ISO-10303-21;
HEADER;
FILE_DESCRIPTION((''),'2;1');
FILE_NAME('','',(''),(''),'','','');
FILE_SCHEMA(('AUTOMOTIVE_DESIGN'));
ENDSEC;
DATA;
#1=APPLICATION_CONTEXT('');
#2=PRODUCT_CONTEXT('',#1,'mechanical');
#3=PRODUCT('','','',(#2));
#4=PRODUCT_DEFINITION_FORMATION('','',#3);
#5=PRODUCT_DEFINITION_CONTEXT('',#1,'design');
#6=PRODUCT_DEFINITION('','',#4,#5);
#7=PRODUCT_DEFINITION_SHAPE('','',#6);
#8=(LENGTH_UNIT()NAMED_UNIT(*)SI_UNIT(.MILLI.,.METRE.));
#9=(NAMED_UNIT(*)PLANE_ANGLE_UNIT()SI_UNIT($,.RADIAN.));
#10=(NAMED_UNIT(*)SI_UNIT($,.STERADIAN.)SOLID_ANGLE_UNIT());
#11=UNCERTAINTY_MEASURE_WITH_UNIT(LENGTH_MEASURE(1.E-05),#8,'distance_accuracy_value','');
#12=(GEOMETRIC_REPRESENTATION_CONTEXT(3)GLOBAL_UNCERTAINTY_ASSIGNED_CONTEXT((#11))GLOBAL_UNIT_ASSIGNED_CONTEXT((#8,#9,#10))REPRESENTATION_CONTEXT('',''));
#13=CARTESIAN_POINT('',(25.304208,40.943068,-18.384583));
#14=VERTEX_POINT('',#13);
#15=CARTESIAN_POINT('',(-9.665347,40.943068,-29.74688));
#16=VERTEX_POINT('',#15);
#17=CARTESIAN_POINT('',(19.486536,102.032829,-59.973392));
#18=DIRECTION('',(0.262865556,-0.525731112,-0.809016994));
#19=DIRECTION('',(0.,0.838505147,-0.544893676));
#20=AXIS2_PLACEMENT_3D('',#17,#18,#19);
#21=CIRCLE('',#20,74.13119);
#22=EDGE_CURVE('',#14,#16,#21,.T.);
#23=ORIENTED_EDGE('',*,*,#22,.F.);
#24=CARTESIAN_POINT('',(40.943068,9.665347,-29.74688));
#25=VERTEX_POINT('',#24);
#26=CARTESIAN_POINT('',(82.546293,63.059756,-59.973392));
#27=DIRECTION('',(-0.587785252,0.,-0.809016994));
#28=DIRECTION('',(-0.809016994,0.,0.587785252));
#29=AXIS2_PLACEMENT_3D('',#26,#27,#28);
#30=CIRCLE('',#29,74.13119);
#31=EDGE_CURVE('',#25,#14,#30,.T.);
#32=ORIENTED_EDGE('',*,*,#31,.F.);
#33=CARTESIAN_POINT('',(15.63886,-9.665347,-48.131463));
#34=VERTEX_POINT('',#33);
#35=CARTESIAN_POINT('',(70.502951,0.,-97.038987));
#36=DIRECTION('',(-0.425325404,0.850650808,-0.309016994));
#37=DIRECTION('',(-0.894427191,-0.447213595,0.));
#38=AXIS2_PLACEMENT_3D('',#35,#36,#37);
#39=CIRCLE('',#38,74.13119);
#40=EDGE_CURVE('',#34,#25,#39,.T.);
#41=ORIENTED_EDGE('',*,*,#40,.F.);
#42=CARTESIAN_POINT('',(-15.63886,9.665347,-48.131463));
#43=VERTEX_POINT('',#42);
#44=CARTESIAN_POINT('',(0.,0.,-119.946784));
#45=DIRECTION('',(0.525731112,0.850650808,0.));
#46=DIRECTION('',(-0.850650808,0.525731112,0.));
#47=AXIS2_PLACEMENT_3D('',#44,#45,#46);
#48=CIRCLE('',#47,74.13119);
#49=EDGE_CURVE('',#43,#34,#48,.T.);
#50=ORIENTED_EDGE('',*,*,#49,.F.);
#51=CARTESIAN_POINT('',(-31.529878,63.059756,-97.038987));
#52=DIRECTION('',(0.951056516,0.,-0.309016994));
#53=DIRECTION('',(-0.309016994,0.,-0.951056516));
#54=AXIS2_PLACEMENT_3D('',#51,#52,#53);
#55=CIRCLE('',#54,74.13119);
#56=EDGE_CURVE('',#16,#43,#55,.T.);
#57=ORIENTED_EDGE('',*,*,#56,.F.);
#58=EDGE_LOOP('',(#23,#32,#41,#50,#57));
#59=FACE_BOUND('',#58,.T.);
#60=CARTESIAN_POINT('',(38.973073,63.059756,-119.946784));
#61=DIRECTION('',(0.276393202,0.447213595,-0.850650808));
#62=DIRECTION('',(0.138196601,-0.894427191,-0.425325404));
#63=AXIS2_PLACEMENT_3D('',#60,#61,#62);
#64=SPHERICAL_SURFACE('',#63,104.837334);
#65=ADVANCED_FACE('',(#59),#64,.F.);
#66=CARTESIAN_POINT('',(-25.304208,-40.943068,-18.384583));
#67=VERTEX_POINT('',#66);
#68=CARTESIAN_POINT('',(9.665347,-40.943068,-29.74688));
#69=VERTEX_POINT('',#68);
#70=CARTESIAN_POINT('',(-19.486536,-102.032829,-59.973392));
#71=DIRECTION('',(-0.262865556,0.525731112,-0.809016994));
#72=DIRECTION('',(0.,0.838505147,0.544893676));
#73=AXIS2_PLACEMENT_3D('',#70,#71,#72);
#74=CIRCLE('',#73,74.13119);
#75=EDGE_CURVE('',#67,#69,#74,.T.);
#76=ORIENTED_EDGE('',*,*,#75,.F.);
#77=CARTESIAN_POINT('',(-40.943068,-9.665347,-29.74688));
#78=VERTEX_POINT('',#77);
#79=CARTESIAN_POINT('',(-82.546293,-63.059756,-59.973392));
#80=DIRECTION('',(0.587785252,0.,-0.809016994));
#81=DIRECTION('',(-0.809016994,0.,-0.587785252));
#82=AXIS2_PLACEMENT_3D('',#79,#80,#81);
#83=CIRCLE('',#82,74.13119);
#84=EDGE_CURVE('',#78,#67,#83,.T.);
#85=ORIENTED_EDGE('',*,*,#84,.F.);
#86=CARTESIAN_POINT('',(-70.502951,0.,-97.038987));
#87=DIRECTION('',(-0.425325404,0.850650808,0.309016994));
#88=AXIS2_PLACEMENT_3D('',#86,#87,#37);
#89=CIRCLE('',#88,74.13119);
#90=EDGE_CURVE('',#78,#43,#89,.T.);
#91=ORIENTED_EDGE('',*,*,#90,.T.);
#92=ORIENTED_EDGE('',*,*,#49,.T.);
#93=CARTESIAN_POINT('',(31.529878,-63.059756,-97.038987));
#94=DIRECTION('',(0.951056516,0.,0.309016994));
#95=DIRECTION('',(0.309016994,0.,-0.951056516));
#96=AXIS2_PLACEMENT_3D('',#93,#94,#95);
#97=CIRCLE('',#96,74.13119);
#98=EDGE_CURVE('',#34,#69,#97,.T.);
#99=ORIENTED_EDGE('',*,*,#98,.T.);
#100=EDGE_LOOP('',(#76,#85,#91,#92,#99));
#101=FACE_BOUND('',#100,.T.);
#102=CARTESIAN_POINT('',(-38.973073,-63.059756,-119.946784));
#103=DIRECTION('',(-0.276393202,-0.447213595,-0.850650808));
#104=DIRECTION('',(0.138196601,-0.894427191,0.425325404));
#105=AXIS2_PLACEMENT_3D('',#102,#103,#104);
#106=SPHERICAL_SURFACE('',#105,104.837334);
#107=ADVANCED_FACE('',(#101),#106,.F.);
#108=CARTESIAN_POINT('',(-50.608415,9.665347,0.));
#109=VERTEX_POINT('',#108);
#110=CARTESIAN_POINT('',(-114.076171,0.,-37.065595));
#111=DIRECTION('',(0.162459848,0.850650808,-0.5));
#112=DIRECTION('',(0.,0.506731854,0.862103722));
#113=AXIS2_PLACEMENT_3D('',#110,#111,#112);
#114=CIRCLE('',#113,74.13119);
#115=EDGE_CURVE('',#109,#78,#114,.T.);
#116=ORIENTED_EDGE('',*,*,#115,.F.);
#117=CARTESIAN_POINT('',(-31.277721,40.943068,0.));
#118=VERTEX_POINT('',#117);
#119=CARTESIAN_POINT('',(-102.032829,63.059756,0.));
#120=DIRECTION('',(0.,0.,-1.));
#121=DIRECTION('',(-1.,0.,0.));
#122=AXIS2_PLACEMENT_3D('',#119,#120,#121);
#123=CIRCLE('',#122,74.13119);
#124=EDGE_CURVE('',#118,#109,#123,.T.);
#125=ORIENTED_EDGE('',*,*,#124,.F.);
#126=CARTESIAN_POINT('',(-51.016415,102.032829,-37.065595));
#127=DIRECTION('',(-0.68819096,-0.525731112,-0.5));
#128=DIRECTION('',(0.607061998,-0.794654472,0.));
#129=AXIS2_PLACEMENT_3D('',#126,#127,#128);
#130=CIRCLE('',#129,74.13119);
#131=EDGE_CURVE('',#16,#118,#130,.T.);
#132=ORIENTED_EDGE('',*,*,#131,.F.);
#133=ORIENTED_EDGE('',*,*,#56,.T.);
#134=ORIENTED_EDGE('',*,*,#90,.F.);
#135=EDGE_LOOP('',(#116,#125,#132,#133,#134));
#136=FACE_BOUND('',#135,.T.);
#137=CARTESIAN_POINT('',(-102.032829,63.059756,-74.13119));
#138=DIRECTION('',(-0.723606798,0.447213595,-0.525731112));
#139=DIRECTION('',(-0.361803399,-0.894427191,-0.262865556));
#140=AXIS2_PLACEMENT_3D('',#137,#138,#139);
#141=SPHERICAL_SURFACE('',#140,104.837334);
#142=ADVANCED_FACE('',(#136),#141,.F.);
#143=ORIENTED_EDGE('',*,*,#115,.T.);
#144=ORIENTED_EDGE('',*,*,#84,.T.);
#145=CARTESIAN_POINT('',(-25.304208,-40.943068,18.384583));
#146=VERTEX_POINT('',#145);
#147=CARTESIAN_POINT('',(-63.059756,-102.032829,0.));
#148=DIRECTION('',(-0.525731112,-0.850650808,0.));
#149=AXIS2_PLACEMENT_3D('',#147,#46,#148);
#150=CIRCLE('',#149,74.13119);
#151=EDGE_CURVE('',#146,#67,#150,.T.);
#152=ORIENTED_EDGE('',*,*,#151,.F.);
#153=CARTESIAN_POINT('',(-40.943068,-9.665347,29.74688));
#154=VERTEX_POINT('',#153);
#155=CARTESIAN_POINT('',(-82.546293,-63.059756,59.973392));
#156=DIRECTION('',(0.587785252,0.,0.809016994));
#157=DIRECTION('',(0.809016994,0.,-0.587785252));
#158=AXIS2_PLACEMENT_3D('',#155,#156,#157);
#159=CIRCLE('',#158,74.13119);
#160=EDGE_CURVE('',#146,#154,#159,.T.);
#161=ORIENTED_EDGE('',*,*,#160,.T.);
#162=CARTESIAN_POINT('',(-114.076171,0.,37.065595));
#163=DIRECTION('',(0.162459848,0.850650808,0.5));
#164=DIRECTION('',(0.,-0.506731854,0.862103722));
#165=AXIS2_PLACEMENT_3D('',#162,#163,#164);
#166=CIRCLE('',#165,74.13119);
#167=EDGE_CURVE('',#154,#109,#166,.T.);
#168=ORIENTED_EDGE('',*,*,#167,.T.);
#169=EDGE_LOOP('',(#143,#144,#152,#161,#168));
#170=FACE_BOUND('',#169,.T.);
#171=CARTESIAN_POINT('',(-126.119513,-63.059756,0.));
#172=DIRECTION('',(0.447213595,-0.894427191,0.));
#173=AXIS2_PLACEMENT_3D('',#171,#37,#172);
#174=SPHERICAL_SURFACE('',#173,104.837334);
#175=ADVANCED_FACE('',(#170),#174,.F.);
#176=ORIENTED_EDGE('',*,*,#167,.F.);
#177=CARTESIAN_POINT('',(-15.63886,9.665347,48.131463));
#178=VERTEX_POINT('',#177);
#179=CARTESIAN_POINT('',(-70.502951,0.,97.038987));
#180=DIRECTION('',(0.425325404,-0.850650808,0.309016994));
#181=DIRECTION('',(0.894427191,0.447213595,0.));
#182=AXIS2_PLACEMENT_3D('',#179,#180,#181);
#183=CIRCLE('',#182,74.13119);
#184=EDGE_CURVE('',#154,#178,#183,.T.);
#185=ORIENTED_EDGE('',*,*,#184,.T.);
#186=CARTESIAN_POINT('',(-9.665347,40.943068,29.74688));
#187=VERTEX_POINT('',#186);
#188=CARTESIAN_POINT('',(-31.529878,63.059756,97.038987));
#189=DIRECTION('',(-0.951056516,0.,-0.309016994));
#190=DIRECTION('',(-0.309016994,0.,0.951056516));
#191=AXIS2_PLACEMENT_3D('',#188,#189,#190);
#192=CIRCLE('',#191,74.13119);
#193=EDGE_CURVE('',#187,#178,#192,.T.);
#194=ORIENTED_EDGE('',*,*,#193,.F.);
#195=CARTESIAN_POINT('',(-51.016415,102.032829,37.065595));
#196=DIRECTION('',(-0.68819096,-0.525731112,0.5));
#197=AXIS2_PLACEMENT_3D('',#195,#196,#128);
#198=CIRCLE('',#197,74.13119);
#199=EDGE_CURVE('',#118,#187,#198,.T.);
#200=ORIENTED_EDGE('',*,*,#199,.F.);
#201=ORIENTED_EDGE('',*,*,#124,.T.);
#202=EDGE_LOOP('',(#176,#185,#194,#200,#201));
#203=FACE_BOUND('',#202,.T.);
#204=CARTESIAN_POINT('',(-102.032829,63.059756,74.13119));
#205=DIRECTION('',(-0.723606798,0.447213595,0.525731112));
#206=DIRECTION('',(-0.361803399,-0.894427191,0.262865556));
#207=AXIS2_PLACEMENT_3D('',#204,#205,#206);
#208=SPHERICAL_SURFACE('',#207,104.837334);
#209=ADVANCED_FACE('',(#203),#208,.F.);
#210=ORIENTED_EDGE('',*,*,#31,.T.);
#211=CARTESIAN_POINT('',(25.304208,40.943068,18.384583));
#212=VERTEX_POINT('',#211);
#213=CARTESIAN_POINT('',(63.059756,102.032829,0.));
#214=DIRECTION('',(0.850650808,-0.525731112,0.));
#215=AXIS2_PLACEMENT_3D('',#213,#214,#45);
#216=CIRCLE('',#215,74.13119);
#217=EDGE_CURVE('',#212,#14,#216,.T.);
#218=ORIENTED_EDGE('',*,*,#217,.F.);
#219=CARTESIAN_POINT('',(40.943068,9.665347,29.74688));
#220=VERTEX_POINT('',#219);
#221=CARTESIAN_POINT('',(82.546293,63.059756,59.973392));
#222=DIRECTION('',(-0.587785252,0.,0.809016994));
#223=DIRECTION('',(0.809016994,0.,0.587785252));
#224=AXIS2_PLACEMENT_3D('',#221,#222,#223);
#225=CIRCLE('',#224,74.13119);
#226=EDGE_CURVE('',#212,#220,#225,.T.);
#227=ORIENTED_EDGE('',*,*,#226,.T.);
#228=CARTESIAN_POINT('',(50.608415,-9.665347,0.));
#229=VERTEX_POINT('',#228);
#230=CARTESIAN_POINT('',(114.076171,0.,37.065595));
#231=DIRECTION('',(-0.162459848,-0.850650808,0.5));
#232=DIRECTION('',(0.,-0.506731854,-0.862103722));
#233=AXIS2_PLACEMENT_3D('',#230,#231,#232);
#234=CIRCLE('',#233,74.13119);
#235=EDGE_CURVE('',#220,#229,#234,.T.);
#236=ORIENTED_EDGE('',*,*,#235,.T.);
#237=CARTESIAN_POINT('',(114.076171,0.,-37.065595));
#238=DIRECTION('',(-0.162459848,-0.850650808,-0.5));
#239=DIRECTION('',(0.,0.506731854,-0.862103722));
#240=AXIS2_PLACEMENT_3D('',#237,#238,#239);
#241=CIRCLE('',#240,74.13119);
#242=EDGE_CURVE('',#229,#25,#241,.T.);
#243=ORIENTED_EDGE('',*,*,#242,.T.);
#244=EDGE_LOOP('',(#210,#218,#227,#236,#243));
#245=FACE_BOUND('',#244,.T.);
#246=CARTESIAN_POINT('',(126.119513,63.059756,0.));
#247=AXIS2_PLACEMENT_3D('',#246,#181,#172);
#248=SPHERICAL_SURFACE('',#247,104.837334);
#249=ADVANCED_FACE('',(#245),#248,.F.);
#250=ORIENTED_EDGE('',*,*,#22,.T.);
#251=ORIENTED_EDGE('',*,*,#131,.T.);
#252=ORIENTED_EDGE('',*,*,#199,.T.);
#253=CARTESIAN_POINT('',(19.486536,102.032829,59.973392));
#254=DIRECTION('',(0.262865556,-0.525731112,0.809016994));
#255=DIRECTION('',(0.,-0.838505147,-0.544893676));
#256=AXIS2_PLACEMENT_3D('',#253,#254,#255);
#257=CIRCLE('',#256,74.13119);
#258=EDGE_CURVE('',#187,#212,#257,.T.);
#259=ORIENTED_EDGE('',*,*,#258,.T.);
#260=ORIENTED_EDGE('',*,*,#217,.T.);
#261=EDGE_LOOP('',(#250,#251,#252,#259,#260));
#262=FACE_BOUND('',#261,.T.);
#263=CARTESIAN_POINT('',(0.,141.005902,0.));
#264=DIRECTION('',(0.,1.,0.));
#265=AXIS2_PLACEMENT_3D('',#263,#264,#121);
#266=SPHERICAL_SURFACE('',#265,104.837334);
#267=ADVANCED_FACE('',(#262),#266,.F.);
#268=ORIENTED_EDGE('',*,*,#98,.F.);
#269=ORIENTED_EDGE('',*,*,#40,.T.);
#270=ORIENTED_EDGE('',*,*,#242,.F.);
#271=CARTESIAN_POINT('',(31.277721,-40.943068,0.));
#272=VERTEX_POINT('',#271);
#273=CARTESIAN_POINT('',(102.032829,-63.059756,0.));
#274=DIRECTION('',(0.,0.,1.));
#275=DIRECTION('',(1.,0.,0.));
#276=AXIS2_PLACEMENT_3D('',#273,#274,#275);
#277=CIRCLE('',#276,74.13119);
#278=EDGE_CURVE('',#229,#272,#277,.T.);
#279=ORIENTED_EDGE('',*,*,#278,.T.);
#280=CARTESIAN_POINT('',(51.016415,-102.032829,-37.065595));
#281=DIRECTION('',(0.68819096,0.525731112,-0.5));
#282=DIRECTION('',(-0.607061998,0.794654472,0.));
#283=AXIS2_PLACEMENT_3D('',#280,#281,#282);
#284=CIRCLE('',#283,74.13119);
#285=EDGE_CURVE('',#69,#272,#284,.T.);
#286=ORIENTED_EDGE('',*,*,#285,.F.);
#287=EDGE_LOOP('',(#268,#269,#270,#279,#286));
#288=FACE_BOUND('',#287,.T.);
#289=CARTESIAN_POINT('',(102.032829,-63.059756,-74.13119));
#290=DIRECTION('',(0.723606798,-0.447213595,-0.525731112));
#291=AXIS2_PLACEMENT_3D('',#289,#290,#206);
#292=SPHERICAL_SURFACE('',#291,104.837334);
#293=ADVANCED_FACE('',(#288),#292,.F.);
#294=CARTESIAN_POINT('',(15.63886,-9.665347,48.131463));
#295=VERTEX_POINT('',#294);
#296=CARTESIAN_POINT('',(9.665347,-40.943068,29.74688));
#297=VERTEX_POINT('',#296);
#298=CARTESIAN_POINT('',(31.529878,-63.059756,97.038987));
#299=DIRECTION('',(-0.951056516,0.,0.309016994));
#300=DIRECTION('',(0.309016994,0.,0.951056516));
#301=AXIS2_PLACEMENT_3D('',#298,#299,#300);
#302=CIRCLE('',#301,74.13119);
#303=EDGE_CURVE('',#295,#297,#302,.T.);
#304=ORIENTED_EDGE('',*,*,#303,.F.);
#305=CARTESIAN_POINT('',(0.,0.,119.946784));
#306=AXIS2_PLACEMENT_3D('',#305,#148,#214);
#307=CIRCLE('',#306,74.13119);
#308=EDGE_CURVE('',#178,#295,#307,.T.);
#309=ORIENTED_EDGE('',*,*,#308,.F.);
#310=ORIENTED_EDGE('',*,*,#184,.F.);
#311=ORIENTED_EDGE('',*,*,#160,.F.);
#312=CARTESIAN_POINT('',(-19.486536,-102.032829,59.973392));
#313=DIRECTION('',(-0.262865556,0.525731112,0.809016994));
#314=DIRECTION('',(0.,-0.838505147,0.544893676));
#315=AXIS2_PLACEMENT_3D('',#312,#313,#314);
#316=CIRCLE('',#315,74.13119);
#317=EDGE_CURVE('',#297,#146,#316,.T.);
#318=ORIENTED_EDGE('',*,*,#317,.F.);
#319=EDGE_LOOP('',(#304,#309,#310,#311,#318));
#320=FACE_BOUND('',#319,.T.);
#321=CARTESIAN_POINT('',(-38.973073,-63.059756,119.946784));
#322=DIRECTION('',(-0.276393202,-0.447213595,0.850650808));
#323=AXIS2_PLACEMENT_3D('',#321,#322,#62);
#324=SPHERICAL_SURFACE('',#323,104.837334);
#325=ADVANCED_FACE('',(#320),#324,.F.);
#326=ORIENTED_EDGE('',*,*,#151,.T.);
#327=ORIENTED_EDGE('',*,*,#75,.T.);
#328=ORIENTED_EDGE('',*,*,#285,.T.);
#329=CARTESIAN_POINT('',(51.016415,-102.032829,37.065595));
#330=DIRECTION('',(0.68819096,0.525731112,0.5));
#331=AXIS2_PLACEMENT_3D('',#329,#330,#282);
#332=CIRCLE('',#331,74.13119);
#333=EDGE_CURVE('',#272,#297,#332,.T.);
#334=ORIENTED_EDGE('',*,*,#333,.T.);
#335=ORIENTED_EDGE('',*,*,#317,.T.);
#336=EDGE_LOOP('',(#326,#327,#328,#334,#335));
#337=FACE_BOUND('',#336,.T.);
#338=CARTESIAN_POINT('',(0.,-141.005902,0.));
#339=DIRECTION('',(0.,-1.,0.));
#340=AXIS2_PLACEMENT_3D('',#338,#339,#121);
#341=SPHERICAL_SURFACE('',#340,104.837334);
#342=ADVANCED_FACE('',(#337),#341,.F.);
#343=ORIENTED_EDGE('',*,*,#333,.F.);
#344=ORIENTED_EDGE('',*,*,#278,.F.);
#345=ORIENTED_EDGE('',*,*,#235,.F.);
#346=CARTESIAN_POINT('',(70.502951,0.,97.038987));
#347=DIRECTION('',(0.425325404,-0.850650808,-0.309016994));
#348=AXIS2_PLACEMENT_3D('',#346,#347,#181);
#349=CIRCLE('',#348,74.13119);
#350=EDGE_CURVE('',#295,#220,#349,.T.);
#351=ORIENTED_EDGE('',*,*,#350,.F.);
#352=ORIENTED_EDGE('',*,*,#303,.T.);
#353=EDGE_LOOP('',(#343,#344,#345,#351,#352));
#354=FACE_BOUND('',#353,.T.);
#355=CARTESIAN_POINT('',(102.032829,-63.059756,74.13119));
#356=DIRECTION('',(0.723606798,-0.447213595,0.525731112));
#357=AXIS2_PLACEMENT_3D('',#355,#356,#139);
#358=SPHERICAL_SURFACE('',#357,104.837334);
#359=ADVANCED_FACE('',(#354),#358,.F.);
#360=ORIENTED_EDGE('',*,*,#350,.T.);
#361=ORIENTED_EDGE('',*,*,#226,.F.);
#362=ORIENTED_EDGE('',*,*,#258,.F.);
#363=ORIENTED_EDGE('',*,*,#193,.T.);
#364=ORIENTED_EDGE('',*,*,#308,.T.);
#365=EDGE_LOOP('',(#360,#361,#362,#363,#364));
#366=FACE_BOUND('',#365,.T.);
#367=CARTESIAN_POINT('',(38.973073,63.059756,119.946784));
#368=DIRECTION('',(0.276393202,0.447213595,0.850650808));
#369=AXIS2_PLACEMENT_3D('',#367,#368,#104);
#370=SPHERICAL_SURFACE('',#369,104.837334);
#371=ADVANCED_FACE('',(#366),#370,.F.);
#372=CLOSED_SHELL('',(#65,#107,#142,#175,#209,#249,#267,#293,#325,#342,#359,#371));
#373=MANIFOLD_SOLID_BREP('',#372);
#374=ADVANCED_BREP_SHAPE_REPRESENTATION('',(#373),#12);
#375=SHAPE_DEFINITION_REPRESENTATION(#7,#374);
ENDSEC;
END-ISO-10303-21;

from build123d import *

# Parameters (mm, degrees)
CIRPATTERN1_COUNT = 2
CIRPATTERN1_ANGLE = 116.565051177


with BuildPart() as part:
    # Sketch1 → Revolve1 (revolve)
    with BuildSketch(Plane(origin=(0, 0, 0), x_dir=(1, 0, 0), z_dir=(0, 1, 0))):
        with BuildLine():
            Line((0, -100), (0, 100))
            ThreePointArc((0, 100), (100, 0), (0, -100))
        make_face()
    revolve(axis=Axis((0, 0, 100), (0, 0, -1)))

    # Sketch2 → Cut-Revolve1 (revolve, cut)
    with BuildSketch(Plane.XY):
        with BuildLine():
            Line((0, 245.843235607), (0, 36.168568135))
            ThreePointArc((0, 36.168568135), (-104.837333736, 141.005901871), (0, 245.843235607))
        make_face()
    cut_revolve1 = revolve(axis=Axis((0, 245.843235607, 0), (0, -1, 0)), mode=Mode.SUBTRACT)

    # Mirror1: Cut-Revolve1 across plane
    add(cut_revolve1.mirror(Plane.ZX), mode=Mode.SUBTRACT)

    # CirPattern1: Cut-Revolve1 ×2 about axis
    cirpattern1_axis = Axis((0, 0, -110), (0, 0, 1))
    for i in range(1, CIRPATTERN1_COUNT):
        add(cut_revolve1.rotate(cirpattern1_axis, i * CIRPATTERN1_ANGLE / (CIRPATTERN1_COUNT - 1)), mode=Mode.SUBTRACT)

    # CirPattern1 copy 1 sketch → CirPattern1 copy 1 (revolve, cut)
    with BuildSketch(Plane(origin=(0, 0, 0), x_dir=(-0.44721359549996187, 0.8944271909999139, 0), z_dir=(0, 0, 1))):
        with BuildLine():
            Line((0, -245.843235607), (0, -36.168568135))
            ThreePointArc((0, -36.168568135), (-104.837333736, -141.005901871), (0, -245.843235607))
        make_face()
    revolve(axis=Axis((219.888874651, 109.944437325, 0), (0.894427190999914, 0.4472135954999616, 0)), mode=Mode.SUBTRACT)

    # CirPattern2 copy 1 sketch → CirPattern2 copy 1 (revolve, cut)
    with BuildSketch(Plane(origin=(0, 0, 0), x_dir=(-0.13819660112501175, 0.8944271909999139, -0.42532540417602366), z_dir=(-0.9510565162951535, 0, 0.30901699437494745))):
        with BuildLine():
            Line((0, 245.843235607), (0, 36.168568135))
            ThreePointArc((0, 36.168568135), (-104.837333736, 141.005901871), (0, 245.843235607))
        make_face()
    revolve(axis=Axis((-67.949399141, -109.944437325, -209.126747097), (0.2763932022500204, 0.44721359549996215, 0.8506508083520379)), mode=Mode.SUBTRACT)

    # CirPattern2 copy 2 sketch → CirPattern2 copy 2 (revolve, cut)
    with BuildSketch(Plane(origin=(0, 0, 0), x_dir=(0.36180339887499263, 0.8944271909999139, -0.2628655560595692), z_dir=(-0.5877852522924732, 0, -0.8090169943749473))):
        with BuildLine():
            Line((0, 245.843235607), (0, 36.168568135))
            ThreePointArc((0, 36.168568135), (-104.837333736, 141.005901871), (0, 245.843235607))
        make_face()
    revolve(axis=Axis((177.893836466, -109.944437325, -129.247437663), (-0.7236067977499772, 0.44721359549996215, 0.5257311121191324)), mode=Mode.SUBTRACT)

    # CirPattern2 copy 3 sketch → CirPattern2 copy 3 (revolve, cut)
    with BuildSketch(Plane(origin=(0, 0, 0), x_dir=(0.36180339887499274, 0.8944271909999137, 0.26286555605956907), z_dir=(0.587785252292473, 0, -0.8090169943749476))):
        with BuildLine():
            Line((0, 245.843235607), (0, 36.168568135))
            ThreePointArc((0, 36.168568135), (-104.837333736, 141.005901871), (0, 245.843235607))
        make_face()
    revolve(axis=Axis((177.893836466, -109.944437325, 129.247437663), (-0.7236067977499774, 0.4472135954999621, -0.5257311121191323)), mode=Mode.SUBTRACT)

    # CirPattern2 copy 4 sketch → CirPattern2 copy 4 (revolve, cut)
    with BuildSketch(Plane(origin=(0, 0, 0), x_dir=(-0.13819660112501164, 0.8944271909999139, 0.4253254041760237), z_dir=(0.9510565162951536, 0, 0.30901699437494723))):
        with BuildLine():
            Line((0, 245.843235607), (0, 36.168568135))
            ThreePointArc((0, 36.168568135), (-104.837333736, 141.005901871), (0, 245.843235607))
        make_face()
    revolve(axis=Axis((-67.949399141, -109.944437325, 209.126747097), (0.2763932022500202, 0.44721359549996215, -0.850650808352038)), mode=Mode.SUBTRACT)

    # CirPattern2 copy 5 sketch → CirPattern2 copy 5 (revolve, cut)
    with BuildSketch(Plane(origin=(0, 0, 0), x_dir=(-0.13819660112501175, 0.8944271909999139, -0.42532540417602366), z_dir=(-0.9510565162951535, 0, 0.30901699437494745))):
        with BuildLine():
            Line((0, -245.843235607), (0, -36.168568135))
            ThreePointArc((0, -36.168568135), (-104.837333736, -141.005901871), (0, -245.843235607))
        make_face()
    revolve(axis=Axis((67.949399141, 109.944437325, 209.126747097), (0.2763932022500205, 0.4472135954999616, 0.8506508083520381)), mode=Mode.SUBTRACT)

    # CirPattern2 copy 6 sketch → CirPattern2 copy 6 (revolve, cut)
    with BuildSketch(Plane(origin=(0, 0, 0), x_dir=(0.36180339887499263, 0.8944271909999139, -0.2628655560595692), z_dir=(-0.5877852522924732, 0, -0.8090169943749473))):
        with BuildLine():
            Line((0, -245.843235607), (0, -36.168568135))
            ThreePointArc((0, -36.168568135), (-104.837333736, -141.005901871), (0, -245.843235607))
        make_face()
    revolve(axis=Axis((-177.893836466, 109.944437325, 129.247437663), (-0.7236067977499774, 0.4472135954999616, 0.5257311121191326)), mode=Mode.SUBTRACT)

    # CirPattern2 copy 7 sketch → CirPattern2 copy 7 (revolve, cut)
    with BuildSketch(Plane(origin=(0, 0, 0), x_dir=(0.36180339887499274, 0.8944271909999137, 0.26286555605956907), z_dir=(0.587785252292473, 0, -0.8090169943749476))):
        with BuildLine():
            Line((0, -245.843235607), (0, -36.168568135))
            ThreePointArc((0, -36.168568135), (-104.837333736, -141.005901871), (0, -245.843235607))
        make_face()
    revolve(axis=Axis((-177.893836466, 109.944437325, -129.247437663), (-0.7236067977499776, 0.44721359549996154, -0.5257311121191325)), mode=Mode.SUBTRACT)

    # CirPattern2 copy 8 sketch → CirPattern2 copy 8 (revolve, cut)
    with BuildSketch(Plane(origin=(0, 0, 0), x_dir=(-0.13819660112501164, 0.8944271909999139, 0.4253254041760237), z_dir=(0.9510565162951536, 0, 0.30901699437494723))):
        with BuildLine():
            Line((0, -245.843235607), (0, -36.168568135))
            ThreePointArc((0, -36.168568135), (-104.837333736, -141.005901871), (0, -245.843235607))
        make_face()
    revolve(axis=Axis((67.949399141, 109.944437325, -209.126747097), (0.2763932022500203, 0.4472135954999616, -0.8506508083520382)), mode=Mode.SUBTRACT)

    # CirPattern2 copy 9 sketch → CirPattern2 copy 9 (revolve, cut)
    with BuildSketch(Plane(origin=(0, 0, 0), x_dir=(0.30901699437494745, 0, 0.9510565162951535), z_dir=(-0.9510565162951535, 0, 0.30901699437494745))):
        with BuildLine():
            Line((0, 245.843235607), (0, 36.168568135))
            ThreePointArc((0, 36.168568135), (-104.837333736, 141.005901871), (0, 245.843235607))
        make_face()
    revolve(axis=Axis((0, 245.843235607, 0), (0, -1, 0)), mode=Mode.SUBTRACT)

    # CirPattern2 copy 10 sketch → CirPattern2 copy 10 (revolve, cut)
    with BuildSketch(Plane(origin=(0, 0, 0), x_dir=(-0.8090169943749473, 0, 0.5877852522924732), z_dir=(-0.5877852522924732, 0, -0.8090169943749473))):
        with BuildLine():
            Line((0, 245.843235607), (0, 36.168568135))
            ThreePointArc((0, 36.168568135), (-104.837333736, 141.005901871), (0, 245.843235607))
        make_face()
    revolve(axis=Axis((0, 245.843235607, 0), (0, -1, 0)), mode=Mode.SUBTRACT)

    # CirPattern2 copy 11 sketch → CirPattern2 copy 11 (revolve, cut)
    with BuildSketch(Plane(origin=(0, 0, 0), x_dir=(-0.8090169943749476, 0, -0.587785252292473), z_dir=(0.587785252292473, 0, -0.8090169943749476))):
        with BuildLine():
            Line((0, 245.843235607), (0, 36.168568135))
            ThreePointArc((0, 36.168568135), (-104.837333736, 141.005901871), (0, 245.843235607))
        make_face()
    revolve(axis=Axis((0, 245.843235607, 0), (0, -1, 0)), mode=Mode.SUBTRACT)

    # CirPattern2 copy 12 sketch → CirPattern2 copy 12 (revolve, cut)
    with BuildSketch(Plane(origin=(0, 0, 0), x_dir=(0.30901699437494723, 0, -0.9510565162951536), z_dir=(0.9510565162951536, 0, 0.30901699437494723))):
        with BuildLine():
            Line((0, 245.843235607), (0, 36.168568135))
            ThreePointArc((0, 36.168568135), (-104.837333736, 141.005901871), (0, 245.843235607))
        make_face()
    revolve(axis=Axis((0, 245.843235607, 0), (0, -1, 0)), mode=Mode.SUBTRACT)


solid = part.part
